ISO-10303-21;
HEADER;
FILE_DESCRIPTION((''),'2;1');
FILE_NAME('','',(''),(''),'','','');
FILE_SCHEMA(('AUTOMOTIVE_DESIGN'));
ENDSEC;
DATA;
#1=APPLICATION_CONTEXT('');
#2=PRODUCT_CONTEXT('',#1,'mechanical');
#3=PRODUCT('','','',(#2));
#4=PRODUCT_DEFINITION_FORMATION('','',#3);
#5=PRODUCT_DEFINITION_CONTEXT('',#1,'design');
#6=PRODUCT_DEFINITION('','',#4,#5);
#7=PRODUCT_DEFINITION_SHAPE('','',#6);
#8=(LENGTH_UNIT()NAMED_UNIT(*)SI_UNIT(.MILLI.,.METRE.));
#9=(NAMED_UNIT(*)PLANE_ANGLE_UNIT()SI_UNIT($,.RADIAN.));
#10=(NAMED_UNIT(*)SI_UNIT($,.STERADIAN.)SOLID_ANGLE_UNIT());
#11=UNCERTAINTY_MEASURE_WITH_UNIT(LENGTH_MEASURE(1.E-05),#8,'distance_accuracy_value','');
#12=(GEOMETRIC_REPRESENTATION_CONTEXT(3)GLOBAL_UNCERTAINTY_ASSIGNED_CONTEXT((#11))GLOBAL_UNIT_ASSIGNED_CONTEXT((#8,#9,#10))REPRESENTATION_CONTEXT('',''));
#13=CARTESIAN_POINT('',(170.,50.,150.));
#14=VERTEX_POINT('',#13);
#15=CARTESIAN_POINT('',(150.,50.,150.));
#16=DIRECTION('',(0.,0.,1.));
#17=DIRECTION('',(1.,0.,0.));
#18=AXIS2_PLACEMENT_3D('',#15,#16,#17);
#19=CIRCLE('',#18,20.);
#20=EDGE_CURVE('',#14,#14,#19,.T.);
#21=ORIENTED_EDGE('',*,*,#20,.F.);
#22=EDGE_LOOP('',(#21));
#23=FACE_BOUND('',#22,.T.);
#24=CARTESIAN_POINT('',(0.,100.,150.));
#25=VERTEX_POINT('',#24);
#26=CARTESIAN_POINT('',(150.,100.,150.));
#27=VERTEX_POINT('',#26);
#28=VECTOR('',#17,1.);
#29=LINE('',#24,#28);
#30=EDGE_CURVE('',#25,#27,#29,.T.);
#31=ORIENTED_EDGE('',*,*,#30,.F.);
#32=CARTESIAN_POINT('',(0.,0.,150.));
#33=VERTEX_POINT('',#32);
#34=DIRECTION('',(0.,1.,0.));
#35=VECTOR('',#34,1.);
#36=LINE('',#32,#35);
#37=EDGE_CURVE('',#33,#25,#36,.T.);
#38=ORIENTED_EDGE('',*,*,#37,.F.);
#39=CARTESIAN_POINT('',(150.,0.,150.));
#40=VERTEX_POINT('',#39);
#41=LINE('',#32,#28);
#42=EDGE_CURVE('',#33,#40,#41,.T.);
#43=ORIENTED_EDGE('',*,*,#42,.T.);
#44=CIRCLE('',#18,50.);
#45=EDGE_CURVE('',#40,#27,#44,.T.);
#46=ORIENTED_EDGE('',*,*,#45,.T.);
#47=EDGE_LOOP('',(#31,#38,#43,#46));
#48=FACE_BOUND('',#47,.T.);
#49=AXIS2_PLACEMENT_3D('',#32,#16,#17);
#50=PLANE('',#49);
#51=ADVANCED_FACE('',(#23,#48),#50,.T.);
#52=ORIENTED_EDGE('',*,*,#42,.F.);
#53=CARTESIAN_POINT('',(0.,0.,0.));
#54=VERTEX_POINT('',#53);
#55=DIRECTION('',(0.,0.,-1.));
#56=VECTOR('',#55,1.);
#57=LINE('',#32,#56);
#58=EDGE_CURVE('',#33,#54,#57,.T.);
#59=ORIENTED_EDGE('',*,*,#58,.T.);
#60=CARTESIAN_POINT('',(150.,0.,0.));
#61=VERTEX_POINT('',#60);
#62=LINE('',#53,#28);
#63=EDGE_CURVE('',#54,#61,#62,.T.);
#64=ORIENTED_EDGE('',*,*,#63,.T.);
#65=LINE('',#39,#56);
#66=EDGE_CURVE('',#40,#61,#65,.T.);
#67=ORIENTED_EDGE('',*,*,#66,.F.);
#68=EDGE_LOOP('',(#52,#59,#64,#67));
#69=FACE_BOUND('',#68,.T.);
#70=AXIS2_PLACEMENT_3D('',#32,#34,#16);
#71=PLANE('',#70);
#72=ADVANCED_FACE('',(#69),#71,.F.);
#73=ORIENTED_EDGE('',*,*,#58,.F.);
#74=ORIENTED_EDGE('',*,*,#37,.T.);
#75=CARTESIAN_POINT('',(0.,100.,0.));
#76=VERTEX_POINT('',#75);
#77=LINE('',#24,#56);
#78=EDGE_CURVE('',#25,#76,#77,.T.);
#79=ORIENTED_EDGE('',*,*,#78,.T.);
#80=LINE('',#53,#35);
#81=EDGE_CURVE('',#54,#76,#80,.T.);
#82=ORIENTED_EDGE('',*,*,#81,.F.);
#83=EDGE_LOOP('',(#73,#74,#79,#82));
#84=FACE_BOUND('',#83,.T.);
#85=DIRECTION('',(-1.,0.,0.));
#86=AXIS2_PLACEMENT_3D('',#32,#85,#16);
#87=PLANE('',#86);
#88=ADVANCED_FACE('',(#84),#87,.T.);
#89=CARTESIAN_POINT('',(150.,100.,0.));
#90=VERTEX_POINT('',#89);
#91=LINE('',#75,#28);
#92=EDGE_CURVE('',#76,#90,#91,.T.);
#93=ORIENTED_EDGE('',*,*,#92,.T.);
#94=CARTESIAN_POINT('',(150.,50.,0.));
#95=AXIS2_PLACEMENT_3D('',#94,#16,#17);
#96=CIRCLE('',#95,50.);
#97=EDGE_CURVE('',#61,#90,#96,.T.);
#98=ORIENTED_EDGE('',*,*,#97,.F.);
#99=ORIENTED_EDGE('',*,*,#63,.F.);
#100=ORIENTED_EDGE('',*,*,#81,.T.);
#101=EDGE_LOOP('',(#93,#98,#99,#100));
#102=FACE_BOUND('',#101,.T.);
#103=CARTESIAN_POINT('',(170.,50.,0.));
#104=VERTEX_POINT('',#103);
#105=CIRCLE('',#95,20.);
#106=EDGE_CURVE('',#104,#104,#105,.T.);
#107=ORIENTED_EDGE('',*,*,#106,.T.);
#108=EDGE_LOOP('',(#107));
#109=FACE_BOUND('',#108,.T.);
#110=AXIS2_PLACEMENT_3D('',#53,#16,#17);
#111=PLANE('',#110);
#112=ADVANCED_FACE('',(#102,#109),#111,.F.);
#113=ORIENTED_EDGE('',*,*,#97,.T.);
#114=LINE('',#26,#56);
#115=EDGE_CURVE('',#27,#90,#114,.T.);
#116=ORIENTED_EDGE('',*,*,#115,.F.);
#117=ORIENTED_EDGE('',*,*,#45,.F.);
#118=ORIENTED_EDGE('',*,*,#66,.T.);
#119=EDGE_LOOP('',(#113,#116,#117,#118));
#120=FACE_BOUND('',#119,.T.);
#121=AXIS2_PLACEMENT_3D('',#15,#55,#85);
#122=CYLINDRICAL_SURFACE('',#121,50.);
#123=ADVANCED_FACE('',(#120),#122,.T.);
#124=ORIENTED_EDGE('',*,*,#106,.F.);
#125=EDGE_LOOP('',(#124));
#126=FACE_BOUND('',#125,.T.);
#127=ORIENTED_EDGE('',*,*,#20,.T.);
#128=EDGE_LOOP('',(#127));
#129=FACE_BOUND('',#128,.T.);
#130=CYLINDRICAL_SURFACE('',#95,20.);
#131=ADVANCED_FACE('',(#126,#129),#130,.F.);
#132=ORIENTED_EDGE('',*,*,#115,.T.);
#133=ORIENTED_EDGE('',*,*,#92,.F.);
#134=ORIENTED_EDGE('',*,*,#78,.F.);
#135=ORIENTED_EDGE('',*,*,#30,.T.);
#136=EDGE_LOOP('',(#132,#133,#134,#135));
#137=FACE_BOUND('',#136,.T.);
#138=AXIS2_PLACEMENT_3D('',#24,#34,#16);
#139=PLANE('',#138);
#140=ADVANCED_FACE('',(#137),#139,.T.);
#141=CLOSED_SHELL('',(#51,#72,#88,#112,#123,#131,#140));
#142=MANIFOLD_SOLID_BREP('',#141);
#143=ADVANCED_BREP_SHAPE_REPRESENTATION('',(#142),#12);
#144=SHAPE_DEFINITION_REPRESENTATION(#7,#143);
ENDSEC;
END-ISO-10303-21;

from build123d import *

# Parameters (mm, degrees)
BOSS_EXTRUDE1_DEPTH = 150
SKETCH2_R           = 20
CUT_EXTRUDE1_DEPTH  = 150


with BuildPart() as part:
    # Sketch1 → Boss-Extrude1 (new body)
    with BuildSketch(Plane.XY):
        with BuildLine():
            Line((0, 0), (150, 0))
            ThreePointArc((150, 0), (200, 50), (150, 100))
            Line((150, 100), (0, 100))
            Line((0, 100), (0, 0))
        make_face()
    extrude(amount=BOSS_EXTRUDE1_DEPTH)

    # Sketch2 → Cut-Extrude1 (cut)
    with BuildSketch(Plane.XY.offset(150)):
        with Locations((150, 50)):
            Circle(SKETCH2_R)
    extrude(amount=-CUT_EXTRUDE1_DEPTH, mode=Mode.SUBTRACT)


solid = part.part
